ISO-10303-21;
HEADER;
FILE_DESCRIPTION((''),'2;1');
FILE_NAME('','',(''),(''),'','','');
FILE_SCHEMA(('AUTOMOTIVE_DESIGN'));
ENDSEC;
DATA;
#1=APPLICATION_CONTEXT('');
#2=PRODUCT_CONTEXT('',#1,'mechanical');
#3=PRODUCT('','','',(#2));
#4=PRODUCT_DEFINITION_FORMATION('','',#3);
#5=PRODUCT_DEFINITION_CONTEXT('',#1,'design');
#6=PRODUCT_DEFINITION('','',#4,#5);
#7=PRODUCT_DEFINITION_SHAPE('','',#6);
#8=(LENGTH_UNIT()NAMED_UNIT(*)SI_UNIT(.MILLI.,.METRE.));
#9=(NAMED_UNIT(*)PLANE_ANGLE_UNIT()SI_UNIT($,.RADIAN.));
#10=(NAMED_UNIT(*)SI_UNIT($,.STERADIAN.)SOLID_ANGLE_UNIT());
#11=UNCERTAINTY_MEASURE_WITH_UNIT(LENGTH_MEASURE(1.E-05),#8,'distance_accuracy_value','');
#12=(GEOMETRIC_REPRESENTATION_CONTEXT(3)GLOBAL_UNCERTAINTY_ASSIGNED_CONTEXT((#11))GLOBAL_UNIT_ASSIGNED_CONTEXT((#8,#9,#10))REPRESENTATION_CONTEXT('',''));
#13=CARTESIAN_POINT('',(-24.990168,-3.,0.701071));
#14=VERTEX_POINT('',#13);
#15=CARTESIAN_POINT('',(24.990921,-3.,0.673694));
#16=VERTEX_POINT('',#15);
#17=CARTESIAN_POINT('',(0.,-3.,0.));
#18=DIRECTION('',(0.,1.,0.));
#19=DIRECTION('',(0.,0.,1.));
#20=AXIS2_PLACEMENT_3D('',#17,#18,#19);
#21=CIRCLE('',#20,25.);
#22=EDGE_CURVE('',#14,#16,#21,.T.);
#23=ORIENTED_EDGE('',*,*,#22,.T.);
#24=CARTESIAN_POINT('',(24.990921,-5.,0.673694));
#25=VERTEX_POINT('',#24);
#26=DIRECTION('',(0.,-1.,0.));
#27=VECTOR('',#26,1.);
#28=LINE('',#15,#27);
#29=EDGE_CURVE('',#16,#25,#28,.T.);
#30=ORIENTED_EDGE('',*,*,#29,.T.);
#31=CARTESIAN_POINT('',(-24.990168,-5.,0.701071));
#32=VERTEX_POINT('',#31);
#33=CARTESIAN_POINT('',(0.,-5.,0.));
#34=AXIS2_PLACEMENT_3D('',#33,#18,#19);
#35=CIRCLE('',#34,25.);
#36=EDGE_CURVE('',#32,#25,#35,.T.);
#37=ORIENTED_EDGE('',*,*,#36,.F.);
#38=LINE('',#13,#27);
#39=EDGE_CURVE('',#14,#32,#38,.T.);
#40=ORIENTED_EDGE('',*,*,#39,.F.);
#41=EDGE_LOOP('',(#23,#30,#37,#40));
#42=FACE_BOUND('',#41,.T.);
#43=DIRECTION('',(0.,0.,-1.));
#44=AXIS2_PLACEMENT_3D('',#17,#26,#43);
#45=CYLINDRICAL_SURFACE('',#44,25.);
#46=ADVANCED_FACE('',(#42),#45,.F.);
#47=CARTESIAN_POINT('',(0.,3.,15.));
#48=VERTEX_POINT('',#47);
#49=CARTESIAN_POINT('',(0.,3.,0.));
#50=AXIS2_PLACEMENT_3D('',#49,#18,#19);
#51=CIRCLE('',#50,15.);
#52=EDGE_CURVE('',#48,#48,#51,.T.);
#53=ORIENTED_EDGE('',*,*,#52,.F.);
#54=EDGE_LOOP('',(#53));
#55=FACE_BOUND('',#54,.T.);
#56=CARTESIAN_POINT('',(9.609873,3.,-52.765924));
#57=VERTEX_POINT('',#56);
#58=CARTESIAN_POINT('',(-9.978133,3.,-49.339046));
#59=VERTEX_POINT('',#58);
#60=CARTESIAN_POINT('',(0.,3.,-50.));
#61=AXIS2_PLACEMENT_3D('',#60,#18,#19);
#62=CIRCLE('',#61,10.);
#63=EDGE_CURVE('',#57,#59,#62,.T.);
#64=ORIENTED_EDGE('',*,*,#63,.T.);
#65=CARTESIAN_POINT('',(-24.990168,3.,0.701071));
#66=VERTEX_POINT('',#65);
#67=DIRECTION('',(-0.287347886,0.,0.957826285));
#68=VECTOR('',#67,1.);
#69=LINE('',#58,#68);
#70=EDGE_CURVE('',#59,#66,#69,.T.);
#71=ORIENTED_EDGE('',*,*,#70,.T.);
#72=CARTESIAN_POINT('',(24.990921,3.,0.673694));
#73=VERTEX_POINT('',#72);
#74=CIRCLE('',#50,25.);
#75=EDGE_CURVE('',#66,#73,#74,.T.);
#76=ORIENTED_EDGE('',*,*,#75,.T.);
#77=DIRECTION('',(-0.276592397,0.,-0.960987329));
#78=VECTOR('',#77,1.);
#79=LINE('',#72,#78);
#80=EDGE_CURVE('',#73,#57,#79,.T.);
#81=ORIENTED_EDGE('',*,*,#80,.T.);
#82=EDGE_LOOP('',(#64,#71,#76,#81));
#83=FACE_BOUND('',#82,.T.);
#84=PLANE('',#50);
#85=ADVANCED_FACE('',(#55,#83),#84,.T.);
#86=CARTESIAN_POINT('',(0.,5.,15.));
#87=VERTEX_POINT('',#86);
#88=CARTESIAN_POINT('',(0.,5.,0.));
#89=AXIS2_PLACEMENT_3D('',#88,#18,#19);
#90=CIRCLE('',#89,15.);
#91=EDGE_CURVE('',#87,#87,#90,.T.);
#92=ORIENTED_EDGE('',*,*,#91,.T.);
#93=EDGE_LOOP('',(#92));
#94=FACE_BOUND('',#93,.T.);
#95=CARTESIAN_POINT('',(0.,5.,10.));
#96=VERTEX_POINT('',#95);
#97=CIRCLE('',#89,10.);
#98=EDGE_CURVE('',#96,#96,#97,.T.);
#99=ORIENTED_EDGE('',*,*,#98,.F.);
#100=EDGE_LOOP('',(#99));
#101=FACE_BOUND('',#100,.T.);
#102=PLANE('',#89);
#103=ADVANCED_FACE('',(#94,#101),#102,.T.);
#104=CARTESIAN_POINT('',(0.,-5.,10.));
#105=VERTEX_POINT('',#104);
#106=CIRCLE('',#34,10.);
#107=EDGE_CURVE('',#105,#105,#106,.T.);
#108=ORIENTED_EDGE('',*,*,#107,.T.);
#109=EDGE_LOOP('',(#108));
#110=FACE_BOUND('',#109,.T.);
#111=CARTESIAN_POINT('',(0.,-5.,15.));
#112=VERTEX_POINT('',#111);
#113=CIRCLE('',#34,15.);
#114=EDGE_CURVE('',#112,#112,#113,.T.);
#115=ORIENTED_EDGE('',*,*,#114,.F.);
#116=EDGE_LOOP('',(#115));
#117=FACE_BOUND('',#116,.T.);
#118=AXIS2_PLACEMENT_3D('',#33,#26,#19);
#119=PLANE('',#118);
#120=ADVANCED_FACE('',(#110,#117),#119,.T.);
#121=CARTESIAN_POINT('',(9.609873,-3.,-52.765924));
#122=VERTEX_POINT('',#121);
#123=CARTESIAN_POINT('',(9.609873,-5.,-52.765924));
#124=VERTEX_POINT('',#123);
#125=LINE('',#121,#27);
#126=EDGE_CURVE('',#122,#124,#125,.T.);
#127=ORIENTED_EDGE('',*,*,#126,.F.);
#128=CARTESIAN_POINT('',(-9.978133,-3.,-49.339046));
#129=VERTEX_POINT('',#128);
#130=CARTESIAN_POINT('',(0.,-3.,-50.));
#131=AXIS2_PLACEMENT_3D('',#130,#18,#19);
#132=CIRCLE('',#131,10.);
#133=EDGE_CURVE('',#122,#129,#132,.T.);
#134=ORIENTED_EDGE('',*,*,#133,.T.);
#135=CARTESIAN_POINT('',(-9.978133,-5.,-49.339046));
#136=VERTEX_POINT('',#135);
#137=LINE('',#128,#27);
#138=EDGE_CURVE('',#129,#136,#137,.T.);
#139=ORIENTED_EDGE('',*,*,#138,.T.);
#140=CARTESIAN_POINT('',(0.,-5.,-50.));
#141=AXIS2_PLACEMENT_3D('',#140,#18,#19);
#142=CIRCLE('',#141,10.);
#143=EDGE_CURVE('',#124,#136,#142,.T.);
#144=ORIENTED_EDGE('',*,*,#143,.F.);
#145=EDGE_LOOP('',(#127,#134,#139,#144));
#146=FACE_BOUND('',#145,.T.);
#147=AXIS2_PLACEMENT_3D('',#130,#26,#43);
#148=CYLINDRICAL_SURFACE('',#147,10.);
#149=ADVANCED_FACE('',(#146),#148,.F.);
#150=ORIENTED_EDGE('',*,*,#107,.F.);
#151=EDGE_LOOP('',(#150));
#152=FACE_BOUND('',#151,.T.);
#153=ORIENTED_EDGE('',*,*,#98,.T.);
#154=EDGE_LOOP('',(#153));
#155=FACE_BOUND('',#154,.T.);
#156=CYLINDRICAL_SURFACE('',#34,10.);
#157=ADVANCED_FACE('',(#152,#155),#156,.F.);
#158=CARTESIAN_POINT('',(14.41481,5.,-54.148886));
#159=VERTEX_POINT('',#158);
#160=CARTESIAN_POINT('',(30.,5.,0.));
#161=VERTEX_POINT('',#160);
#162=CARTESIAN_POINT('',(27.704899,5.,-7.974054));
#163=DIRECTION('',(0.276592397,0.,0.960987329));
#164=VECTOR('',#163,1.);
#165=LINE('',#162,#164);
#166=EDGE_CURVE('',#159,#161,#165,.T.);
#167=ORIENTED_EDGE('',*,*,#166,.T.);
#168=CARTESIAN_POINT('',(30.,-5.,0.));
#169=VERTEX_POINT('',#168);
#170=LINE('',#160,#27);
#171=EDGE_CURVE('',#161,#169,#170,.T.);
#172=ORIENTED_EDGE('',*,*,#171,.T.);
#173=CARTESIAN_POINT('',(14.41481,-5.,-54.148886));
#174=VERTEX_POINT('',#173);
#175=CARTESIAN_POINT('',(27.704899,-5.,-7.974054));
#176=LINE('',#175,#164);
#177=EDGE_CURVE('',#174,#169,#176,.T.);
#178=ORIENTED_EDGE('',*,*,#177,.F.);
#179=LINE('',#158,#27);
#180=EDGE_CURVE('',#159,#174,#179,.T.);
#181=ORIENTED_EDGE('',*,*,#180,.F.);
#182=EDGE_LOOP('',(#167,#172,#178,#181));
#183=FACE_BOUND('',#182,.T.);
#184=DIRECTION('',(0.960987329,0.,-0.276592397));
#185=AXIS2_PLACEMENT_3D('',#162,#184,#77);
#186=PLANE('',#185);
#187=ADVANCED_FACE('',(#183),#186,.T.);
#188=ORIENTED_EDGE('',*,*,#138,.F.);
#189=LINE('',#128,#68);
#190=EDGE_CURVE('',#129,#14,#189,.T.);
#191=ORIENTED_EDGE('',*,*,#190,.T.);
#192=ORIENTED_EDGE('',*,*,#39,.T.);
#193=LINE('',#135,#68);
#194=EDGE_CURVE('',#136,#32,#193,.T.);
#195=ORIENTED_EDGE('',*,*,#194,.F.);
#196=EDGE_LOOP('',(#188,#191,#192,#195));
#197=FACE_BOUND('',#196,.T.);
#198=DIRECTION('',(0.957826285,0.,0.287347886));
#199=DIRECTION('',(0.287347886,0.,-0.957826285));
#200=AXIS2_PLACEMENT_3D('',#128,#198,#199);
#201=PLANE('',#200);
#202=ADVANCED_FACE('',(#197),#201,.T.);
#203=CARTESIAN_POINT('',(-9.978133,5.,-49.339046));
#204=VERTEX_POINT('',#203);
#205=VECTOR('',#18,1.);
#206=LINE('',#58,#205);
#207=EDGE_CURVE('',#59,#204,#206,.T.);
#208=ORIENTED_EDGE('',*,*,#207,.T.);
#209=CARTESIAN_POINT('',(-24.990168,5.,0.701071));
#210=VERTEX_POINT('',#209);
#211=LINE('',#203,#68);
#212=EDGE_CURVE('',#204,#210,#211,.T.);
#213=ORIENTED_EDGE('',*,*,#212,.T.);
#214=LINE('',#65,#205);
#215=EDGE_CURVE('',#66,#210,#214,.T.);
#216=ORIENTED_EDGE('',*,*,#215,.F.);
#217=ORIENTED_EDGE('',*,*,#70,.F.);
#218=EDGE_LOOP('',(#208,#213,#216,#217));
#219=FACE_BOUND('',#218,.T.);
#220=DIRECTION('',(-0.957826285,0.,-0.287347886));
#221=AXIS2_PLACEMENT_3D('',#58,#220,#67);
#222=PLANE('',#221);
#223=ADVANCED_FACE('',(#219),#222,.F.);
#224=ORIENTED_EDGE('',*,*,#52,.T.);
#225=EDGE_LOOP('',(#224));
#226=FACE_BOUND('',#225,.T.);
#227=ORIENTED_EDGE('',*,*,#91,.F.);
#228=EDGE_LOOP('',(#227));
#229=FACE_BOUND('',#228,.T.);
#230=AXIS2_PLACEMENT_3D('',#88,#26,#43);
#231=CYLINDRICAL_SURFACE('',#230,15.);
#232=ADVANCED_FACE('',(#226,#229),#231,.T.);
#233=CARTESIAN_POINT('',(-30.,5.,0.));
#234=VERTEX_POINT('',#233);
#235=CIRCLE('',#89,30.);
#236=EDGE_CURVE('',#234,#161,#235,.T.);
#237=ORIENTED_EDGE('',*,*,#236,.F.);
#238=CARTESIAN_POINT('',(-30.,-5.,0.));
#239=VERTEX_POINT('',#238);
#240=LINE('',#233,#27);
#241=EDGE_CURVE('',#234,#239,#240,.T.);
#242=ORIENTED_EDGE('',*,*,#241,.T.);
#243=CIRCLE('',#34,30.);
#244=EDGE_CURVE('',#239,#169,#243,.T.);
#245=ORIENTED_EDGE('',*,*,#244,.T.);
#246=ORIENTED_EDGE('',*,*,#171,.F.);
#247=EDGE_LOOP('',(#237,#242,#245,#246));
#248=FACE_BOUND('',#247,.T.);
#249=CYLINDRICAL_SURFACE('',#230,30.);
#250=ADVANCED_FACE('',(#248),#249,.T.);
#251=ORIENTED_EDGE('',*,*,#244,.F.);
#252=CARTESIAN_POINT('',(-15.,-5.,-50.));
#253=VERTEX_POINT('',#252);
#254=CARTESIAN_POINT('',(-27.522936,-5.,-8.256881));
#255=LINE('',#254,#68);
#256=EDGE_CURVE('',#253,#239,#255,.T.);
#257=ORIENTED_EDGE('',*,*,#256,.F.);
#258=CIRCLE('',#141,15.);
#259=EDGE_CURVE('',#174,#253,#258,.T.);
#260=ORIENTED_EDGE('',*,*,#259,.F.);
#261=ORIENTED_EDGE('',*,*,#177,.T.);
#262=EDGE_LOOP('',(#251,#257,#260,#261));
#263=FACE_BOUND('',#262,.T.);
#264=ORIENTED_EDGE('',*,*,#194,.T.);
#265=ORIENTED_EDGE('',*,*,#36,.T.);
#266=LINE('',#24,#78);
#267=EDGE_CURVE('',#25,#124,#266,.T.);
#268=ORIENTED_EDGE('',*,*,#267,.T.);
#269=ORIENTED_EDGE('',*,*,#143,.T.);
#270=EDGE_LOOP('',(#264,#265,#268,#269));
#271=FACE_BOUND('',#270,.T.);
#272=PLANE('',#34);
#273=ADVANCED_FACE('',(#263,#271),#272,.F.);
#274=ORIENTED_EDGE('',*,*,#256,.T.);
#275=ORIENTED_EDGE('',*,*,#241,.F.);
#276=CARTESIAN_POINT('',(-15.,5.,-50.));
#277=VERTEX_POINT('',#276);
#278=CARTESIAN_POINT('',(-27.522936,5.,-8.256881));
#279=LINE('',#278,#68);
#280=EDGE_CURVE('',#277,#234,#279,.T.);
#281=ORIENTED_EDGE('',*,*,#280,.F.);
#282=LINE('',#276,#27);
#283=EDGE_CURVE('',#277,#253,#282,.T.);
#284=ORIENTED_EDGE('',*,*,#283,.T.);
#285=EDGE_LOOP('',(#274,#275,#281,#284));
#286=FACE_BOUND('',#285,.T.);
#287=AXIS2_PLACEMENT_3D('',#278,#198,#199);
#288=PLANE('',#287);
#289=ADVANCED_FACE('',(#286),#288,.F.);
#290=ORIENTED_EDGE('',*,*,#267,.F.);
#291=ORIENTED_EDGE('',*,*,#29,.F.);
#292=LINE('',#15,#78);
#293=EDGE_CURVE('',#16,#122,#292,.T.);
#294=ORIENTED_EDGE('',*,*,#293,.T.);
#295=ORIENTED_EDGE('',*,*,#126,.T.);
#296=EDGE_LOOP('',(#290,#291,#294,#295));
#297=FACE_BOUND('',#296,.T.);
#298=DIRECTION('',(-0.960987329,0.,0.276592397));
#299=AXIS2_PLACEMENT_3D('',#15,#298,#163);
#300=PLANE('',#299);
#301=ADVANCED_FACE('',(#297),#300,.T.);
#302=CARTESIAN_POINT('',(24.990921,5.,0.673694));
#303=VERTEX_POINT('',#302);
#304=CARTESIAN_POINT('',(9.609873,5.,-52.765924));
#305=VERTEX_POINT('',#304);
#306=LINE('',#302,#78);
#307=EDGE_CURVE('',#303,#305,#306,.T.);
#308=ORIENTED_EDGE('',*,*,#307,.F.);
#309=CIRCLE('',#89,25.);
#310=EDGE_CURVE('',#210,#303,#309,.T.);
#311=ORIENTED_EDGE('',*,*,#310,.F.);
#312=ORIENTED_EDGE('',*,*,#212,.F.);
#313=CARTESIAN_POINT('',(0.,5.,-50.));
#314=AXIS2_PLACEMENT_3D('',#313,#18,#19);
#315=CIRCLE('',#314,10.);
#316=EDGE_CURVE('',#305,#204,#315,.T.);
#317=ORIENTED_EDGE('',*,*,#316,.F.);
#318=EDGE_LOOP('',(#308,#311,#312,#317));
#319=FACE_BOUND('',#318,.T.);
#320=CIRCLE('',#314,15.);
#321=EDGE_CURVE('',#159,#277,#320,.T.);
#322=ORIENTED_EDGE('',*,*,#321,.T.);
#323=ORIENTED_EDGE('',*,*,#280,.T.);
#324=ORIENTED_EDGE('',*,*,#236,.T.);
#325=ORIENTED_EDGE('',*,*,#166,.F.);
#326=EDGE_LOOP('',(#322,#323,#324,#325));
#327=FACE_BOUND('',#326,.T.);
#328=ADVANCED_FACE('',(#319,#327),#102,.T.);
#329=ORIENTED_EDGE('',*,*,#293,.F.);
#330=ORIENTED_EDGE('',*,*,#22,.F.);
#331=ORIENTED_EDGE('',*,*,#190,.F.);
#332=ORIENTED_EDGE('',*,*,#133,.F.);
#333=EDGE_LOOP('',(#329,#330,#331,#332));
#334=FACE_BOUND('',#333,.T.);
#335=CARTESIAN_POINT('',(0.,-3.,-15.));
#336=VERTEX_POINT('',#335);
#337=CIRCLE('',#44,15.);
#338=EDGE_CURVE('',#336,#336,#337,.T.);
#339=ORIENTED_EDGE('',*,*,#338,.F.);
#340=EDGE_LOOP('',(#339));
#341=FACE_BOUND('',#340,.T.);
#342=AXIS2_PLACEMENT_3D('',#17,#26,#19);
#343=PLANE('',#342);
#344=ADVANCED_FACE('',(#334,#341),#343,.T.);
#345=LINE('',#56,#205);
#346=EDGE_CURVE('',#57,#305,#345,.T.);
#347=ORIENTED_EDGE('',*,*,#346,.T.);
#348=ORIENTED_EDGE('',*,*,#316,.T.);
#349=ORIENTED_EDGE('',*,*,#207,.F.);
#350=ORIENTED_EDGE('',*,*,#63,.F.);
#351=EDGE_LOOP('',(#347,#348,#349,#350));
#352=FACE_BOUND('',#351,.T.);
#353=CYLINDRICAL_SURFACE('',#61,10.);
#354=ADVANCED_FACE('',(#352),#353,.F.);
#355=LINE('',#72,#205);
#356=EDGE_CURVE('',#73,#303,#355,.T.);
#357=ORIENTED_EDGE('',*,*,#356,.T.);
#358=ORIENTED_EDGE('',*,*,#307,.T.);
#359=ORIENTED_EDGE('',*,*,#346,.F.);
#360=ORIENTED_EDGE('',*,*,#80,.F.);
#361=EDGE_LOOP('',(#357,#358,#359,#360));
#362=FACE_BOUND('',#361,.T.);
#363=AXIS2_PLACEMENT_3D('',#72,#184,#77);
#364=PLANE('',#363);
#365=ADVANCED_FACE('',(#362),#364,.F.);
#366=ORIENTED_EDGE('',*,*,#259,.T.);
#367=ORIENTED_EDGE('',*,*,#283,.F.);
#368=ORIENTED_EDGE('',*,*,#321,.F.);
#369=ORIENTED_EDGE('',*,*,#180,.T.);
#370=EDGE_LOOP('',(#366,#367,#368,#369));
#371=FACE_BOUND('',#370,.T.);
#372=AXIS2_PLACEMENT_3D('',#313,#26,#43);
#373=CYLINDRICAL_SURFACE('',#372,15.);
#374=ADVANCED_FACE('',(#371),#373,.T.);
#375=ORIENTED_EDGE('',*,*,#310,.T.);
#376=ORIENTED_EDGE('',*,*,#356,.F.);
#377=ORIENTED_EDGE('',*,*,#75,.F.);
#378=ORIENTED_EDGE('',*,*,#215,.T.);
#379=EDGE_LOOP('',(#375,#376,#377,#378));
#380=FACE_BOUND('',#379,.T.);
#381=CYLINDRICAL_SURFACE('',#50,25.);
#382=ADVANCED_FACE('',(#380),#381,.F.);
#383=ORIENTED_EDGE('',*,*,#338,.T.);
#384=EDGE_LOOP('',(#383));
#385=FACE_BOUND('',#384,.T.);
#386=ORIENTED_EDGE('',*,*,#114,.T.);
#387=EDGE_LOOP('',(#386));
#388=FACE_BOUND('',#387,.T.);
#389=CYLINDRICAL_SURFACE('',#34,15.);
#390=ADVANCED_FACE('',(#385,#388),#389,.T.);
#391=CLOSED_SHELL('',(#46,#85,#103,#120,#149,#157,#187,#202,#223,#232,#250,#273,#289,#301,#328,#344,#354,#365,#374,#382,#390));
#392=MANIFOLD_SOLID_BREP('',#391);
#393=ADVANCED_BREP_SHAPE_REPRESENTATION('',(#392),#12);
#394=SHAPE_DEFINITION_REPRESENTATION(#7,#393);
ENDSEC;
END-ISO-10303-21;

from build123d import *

# Parameters (mm, degrees)
BOSS_EXTRUDE1_DEPTH = 5
CUT_EXTRUDE1_DEPTH  = 2
SKETCH3_R           = 10
CUT_EXTRUDE2_DEPTH  = 9
SKETCH4_R           = 15
SKETCH4_R_2         = 10
BOSS_EXTRUDE2_DEPTH = 2


with BuildPart() as part:
    # Sketch1 → Boss-Extrude1 (new body, symmetric)
    with BuildSketch(Plane(origin=(0, 0, 0), x_dir=(1, 0, 0), z_dir=(0, 1, 0))):
        with BuildLine():
            ThreePointArc((14.41480993, 54.148885958), (-2.094976259, 64.852982006), (-15, 50))
            Line((-15, 50), (-30, 0))
            ThreePointArc((-30, 0), (0, -30), (30, 0))
            Line((30, 0), (14.41480993, 54.148885958))
        make_face()
    extrude(amount=BOSS_EXTRUDE1_DEPTH, both=True)

    # Sketch2 → Cut-Extrude1 (cut)
    with BuildSketch(Plane(origin=(0, 5, 0), x_dir=(1, 0, 0), z_dir=(0, 1, 0))):
        with BuildLine():
            Line((24.99092108, -0.673693969), (9.609873286, 52.765923972))
            ThreePointArc((9.609873286, 52.765923972), (-1.723304272, 59.850391992), (-9.978133058, 49.339045626))
            Line((-9.978133058, 49.339045626), (-24.990168055, -0.701071031))
            ThreePointArc((-24.990168055, -0.701071031), (0.013693708, -24.99999625), (24.99092108, -0.673693969))
        make_face()
    cut_extrude1 = extrude(amount=-CUT_EXTRUDE1_DEPTH, mode=Mode.SUBTRACT)

    # Mirror1: Cut-Extrude1 across plane
    add(cut_extrude1.mirror(Plane.ZX), mode=Mode.SUBTRACT)

    # Sketch3 → Cut-Extrude2 (cut, through all)
    with BuildSketch(Plane(origin=(0, 3, 0), x_dir=(1, 0, 0), z_dir=(0, 1, 0))):
        Circle(SKETCH3_R)
    extrude(amount=-CUT_EXTRUDE2_DEPTH, mode=Mode.SUBTRACT)

    # Sketch4 → Boss-Extrude2 (add)
    with BuildSketch(Plane(origin=(0, 3, 0), x_dir=(1, 0, 0), z_dir=(0, 1, 0))):
        Circle(SKETCH4_R)
        Circle(SKETCH4_R_2, mode=Mode.SUBTRACT)
    boss_extrude2 = extrude(amount=BOSS_EXTRUDE2_DEPTH)

    # Mirror2: Boss-Extrude2 across plane
    add(boss_extrude2.mirror(Plane.ZX))


solid = part.part
